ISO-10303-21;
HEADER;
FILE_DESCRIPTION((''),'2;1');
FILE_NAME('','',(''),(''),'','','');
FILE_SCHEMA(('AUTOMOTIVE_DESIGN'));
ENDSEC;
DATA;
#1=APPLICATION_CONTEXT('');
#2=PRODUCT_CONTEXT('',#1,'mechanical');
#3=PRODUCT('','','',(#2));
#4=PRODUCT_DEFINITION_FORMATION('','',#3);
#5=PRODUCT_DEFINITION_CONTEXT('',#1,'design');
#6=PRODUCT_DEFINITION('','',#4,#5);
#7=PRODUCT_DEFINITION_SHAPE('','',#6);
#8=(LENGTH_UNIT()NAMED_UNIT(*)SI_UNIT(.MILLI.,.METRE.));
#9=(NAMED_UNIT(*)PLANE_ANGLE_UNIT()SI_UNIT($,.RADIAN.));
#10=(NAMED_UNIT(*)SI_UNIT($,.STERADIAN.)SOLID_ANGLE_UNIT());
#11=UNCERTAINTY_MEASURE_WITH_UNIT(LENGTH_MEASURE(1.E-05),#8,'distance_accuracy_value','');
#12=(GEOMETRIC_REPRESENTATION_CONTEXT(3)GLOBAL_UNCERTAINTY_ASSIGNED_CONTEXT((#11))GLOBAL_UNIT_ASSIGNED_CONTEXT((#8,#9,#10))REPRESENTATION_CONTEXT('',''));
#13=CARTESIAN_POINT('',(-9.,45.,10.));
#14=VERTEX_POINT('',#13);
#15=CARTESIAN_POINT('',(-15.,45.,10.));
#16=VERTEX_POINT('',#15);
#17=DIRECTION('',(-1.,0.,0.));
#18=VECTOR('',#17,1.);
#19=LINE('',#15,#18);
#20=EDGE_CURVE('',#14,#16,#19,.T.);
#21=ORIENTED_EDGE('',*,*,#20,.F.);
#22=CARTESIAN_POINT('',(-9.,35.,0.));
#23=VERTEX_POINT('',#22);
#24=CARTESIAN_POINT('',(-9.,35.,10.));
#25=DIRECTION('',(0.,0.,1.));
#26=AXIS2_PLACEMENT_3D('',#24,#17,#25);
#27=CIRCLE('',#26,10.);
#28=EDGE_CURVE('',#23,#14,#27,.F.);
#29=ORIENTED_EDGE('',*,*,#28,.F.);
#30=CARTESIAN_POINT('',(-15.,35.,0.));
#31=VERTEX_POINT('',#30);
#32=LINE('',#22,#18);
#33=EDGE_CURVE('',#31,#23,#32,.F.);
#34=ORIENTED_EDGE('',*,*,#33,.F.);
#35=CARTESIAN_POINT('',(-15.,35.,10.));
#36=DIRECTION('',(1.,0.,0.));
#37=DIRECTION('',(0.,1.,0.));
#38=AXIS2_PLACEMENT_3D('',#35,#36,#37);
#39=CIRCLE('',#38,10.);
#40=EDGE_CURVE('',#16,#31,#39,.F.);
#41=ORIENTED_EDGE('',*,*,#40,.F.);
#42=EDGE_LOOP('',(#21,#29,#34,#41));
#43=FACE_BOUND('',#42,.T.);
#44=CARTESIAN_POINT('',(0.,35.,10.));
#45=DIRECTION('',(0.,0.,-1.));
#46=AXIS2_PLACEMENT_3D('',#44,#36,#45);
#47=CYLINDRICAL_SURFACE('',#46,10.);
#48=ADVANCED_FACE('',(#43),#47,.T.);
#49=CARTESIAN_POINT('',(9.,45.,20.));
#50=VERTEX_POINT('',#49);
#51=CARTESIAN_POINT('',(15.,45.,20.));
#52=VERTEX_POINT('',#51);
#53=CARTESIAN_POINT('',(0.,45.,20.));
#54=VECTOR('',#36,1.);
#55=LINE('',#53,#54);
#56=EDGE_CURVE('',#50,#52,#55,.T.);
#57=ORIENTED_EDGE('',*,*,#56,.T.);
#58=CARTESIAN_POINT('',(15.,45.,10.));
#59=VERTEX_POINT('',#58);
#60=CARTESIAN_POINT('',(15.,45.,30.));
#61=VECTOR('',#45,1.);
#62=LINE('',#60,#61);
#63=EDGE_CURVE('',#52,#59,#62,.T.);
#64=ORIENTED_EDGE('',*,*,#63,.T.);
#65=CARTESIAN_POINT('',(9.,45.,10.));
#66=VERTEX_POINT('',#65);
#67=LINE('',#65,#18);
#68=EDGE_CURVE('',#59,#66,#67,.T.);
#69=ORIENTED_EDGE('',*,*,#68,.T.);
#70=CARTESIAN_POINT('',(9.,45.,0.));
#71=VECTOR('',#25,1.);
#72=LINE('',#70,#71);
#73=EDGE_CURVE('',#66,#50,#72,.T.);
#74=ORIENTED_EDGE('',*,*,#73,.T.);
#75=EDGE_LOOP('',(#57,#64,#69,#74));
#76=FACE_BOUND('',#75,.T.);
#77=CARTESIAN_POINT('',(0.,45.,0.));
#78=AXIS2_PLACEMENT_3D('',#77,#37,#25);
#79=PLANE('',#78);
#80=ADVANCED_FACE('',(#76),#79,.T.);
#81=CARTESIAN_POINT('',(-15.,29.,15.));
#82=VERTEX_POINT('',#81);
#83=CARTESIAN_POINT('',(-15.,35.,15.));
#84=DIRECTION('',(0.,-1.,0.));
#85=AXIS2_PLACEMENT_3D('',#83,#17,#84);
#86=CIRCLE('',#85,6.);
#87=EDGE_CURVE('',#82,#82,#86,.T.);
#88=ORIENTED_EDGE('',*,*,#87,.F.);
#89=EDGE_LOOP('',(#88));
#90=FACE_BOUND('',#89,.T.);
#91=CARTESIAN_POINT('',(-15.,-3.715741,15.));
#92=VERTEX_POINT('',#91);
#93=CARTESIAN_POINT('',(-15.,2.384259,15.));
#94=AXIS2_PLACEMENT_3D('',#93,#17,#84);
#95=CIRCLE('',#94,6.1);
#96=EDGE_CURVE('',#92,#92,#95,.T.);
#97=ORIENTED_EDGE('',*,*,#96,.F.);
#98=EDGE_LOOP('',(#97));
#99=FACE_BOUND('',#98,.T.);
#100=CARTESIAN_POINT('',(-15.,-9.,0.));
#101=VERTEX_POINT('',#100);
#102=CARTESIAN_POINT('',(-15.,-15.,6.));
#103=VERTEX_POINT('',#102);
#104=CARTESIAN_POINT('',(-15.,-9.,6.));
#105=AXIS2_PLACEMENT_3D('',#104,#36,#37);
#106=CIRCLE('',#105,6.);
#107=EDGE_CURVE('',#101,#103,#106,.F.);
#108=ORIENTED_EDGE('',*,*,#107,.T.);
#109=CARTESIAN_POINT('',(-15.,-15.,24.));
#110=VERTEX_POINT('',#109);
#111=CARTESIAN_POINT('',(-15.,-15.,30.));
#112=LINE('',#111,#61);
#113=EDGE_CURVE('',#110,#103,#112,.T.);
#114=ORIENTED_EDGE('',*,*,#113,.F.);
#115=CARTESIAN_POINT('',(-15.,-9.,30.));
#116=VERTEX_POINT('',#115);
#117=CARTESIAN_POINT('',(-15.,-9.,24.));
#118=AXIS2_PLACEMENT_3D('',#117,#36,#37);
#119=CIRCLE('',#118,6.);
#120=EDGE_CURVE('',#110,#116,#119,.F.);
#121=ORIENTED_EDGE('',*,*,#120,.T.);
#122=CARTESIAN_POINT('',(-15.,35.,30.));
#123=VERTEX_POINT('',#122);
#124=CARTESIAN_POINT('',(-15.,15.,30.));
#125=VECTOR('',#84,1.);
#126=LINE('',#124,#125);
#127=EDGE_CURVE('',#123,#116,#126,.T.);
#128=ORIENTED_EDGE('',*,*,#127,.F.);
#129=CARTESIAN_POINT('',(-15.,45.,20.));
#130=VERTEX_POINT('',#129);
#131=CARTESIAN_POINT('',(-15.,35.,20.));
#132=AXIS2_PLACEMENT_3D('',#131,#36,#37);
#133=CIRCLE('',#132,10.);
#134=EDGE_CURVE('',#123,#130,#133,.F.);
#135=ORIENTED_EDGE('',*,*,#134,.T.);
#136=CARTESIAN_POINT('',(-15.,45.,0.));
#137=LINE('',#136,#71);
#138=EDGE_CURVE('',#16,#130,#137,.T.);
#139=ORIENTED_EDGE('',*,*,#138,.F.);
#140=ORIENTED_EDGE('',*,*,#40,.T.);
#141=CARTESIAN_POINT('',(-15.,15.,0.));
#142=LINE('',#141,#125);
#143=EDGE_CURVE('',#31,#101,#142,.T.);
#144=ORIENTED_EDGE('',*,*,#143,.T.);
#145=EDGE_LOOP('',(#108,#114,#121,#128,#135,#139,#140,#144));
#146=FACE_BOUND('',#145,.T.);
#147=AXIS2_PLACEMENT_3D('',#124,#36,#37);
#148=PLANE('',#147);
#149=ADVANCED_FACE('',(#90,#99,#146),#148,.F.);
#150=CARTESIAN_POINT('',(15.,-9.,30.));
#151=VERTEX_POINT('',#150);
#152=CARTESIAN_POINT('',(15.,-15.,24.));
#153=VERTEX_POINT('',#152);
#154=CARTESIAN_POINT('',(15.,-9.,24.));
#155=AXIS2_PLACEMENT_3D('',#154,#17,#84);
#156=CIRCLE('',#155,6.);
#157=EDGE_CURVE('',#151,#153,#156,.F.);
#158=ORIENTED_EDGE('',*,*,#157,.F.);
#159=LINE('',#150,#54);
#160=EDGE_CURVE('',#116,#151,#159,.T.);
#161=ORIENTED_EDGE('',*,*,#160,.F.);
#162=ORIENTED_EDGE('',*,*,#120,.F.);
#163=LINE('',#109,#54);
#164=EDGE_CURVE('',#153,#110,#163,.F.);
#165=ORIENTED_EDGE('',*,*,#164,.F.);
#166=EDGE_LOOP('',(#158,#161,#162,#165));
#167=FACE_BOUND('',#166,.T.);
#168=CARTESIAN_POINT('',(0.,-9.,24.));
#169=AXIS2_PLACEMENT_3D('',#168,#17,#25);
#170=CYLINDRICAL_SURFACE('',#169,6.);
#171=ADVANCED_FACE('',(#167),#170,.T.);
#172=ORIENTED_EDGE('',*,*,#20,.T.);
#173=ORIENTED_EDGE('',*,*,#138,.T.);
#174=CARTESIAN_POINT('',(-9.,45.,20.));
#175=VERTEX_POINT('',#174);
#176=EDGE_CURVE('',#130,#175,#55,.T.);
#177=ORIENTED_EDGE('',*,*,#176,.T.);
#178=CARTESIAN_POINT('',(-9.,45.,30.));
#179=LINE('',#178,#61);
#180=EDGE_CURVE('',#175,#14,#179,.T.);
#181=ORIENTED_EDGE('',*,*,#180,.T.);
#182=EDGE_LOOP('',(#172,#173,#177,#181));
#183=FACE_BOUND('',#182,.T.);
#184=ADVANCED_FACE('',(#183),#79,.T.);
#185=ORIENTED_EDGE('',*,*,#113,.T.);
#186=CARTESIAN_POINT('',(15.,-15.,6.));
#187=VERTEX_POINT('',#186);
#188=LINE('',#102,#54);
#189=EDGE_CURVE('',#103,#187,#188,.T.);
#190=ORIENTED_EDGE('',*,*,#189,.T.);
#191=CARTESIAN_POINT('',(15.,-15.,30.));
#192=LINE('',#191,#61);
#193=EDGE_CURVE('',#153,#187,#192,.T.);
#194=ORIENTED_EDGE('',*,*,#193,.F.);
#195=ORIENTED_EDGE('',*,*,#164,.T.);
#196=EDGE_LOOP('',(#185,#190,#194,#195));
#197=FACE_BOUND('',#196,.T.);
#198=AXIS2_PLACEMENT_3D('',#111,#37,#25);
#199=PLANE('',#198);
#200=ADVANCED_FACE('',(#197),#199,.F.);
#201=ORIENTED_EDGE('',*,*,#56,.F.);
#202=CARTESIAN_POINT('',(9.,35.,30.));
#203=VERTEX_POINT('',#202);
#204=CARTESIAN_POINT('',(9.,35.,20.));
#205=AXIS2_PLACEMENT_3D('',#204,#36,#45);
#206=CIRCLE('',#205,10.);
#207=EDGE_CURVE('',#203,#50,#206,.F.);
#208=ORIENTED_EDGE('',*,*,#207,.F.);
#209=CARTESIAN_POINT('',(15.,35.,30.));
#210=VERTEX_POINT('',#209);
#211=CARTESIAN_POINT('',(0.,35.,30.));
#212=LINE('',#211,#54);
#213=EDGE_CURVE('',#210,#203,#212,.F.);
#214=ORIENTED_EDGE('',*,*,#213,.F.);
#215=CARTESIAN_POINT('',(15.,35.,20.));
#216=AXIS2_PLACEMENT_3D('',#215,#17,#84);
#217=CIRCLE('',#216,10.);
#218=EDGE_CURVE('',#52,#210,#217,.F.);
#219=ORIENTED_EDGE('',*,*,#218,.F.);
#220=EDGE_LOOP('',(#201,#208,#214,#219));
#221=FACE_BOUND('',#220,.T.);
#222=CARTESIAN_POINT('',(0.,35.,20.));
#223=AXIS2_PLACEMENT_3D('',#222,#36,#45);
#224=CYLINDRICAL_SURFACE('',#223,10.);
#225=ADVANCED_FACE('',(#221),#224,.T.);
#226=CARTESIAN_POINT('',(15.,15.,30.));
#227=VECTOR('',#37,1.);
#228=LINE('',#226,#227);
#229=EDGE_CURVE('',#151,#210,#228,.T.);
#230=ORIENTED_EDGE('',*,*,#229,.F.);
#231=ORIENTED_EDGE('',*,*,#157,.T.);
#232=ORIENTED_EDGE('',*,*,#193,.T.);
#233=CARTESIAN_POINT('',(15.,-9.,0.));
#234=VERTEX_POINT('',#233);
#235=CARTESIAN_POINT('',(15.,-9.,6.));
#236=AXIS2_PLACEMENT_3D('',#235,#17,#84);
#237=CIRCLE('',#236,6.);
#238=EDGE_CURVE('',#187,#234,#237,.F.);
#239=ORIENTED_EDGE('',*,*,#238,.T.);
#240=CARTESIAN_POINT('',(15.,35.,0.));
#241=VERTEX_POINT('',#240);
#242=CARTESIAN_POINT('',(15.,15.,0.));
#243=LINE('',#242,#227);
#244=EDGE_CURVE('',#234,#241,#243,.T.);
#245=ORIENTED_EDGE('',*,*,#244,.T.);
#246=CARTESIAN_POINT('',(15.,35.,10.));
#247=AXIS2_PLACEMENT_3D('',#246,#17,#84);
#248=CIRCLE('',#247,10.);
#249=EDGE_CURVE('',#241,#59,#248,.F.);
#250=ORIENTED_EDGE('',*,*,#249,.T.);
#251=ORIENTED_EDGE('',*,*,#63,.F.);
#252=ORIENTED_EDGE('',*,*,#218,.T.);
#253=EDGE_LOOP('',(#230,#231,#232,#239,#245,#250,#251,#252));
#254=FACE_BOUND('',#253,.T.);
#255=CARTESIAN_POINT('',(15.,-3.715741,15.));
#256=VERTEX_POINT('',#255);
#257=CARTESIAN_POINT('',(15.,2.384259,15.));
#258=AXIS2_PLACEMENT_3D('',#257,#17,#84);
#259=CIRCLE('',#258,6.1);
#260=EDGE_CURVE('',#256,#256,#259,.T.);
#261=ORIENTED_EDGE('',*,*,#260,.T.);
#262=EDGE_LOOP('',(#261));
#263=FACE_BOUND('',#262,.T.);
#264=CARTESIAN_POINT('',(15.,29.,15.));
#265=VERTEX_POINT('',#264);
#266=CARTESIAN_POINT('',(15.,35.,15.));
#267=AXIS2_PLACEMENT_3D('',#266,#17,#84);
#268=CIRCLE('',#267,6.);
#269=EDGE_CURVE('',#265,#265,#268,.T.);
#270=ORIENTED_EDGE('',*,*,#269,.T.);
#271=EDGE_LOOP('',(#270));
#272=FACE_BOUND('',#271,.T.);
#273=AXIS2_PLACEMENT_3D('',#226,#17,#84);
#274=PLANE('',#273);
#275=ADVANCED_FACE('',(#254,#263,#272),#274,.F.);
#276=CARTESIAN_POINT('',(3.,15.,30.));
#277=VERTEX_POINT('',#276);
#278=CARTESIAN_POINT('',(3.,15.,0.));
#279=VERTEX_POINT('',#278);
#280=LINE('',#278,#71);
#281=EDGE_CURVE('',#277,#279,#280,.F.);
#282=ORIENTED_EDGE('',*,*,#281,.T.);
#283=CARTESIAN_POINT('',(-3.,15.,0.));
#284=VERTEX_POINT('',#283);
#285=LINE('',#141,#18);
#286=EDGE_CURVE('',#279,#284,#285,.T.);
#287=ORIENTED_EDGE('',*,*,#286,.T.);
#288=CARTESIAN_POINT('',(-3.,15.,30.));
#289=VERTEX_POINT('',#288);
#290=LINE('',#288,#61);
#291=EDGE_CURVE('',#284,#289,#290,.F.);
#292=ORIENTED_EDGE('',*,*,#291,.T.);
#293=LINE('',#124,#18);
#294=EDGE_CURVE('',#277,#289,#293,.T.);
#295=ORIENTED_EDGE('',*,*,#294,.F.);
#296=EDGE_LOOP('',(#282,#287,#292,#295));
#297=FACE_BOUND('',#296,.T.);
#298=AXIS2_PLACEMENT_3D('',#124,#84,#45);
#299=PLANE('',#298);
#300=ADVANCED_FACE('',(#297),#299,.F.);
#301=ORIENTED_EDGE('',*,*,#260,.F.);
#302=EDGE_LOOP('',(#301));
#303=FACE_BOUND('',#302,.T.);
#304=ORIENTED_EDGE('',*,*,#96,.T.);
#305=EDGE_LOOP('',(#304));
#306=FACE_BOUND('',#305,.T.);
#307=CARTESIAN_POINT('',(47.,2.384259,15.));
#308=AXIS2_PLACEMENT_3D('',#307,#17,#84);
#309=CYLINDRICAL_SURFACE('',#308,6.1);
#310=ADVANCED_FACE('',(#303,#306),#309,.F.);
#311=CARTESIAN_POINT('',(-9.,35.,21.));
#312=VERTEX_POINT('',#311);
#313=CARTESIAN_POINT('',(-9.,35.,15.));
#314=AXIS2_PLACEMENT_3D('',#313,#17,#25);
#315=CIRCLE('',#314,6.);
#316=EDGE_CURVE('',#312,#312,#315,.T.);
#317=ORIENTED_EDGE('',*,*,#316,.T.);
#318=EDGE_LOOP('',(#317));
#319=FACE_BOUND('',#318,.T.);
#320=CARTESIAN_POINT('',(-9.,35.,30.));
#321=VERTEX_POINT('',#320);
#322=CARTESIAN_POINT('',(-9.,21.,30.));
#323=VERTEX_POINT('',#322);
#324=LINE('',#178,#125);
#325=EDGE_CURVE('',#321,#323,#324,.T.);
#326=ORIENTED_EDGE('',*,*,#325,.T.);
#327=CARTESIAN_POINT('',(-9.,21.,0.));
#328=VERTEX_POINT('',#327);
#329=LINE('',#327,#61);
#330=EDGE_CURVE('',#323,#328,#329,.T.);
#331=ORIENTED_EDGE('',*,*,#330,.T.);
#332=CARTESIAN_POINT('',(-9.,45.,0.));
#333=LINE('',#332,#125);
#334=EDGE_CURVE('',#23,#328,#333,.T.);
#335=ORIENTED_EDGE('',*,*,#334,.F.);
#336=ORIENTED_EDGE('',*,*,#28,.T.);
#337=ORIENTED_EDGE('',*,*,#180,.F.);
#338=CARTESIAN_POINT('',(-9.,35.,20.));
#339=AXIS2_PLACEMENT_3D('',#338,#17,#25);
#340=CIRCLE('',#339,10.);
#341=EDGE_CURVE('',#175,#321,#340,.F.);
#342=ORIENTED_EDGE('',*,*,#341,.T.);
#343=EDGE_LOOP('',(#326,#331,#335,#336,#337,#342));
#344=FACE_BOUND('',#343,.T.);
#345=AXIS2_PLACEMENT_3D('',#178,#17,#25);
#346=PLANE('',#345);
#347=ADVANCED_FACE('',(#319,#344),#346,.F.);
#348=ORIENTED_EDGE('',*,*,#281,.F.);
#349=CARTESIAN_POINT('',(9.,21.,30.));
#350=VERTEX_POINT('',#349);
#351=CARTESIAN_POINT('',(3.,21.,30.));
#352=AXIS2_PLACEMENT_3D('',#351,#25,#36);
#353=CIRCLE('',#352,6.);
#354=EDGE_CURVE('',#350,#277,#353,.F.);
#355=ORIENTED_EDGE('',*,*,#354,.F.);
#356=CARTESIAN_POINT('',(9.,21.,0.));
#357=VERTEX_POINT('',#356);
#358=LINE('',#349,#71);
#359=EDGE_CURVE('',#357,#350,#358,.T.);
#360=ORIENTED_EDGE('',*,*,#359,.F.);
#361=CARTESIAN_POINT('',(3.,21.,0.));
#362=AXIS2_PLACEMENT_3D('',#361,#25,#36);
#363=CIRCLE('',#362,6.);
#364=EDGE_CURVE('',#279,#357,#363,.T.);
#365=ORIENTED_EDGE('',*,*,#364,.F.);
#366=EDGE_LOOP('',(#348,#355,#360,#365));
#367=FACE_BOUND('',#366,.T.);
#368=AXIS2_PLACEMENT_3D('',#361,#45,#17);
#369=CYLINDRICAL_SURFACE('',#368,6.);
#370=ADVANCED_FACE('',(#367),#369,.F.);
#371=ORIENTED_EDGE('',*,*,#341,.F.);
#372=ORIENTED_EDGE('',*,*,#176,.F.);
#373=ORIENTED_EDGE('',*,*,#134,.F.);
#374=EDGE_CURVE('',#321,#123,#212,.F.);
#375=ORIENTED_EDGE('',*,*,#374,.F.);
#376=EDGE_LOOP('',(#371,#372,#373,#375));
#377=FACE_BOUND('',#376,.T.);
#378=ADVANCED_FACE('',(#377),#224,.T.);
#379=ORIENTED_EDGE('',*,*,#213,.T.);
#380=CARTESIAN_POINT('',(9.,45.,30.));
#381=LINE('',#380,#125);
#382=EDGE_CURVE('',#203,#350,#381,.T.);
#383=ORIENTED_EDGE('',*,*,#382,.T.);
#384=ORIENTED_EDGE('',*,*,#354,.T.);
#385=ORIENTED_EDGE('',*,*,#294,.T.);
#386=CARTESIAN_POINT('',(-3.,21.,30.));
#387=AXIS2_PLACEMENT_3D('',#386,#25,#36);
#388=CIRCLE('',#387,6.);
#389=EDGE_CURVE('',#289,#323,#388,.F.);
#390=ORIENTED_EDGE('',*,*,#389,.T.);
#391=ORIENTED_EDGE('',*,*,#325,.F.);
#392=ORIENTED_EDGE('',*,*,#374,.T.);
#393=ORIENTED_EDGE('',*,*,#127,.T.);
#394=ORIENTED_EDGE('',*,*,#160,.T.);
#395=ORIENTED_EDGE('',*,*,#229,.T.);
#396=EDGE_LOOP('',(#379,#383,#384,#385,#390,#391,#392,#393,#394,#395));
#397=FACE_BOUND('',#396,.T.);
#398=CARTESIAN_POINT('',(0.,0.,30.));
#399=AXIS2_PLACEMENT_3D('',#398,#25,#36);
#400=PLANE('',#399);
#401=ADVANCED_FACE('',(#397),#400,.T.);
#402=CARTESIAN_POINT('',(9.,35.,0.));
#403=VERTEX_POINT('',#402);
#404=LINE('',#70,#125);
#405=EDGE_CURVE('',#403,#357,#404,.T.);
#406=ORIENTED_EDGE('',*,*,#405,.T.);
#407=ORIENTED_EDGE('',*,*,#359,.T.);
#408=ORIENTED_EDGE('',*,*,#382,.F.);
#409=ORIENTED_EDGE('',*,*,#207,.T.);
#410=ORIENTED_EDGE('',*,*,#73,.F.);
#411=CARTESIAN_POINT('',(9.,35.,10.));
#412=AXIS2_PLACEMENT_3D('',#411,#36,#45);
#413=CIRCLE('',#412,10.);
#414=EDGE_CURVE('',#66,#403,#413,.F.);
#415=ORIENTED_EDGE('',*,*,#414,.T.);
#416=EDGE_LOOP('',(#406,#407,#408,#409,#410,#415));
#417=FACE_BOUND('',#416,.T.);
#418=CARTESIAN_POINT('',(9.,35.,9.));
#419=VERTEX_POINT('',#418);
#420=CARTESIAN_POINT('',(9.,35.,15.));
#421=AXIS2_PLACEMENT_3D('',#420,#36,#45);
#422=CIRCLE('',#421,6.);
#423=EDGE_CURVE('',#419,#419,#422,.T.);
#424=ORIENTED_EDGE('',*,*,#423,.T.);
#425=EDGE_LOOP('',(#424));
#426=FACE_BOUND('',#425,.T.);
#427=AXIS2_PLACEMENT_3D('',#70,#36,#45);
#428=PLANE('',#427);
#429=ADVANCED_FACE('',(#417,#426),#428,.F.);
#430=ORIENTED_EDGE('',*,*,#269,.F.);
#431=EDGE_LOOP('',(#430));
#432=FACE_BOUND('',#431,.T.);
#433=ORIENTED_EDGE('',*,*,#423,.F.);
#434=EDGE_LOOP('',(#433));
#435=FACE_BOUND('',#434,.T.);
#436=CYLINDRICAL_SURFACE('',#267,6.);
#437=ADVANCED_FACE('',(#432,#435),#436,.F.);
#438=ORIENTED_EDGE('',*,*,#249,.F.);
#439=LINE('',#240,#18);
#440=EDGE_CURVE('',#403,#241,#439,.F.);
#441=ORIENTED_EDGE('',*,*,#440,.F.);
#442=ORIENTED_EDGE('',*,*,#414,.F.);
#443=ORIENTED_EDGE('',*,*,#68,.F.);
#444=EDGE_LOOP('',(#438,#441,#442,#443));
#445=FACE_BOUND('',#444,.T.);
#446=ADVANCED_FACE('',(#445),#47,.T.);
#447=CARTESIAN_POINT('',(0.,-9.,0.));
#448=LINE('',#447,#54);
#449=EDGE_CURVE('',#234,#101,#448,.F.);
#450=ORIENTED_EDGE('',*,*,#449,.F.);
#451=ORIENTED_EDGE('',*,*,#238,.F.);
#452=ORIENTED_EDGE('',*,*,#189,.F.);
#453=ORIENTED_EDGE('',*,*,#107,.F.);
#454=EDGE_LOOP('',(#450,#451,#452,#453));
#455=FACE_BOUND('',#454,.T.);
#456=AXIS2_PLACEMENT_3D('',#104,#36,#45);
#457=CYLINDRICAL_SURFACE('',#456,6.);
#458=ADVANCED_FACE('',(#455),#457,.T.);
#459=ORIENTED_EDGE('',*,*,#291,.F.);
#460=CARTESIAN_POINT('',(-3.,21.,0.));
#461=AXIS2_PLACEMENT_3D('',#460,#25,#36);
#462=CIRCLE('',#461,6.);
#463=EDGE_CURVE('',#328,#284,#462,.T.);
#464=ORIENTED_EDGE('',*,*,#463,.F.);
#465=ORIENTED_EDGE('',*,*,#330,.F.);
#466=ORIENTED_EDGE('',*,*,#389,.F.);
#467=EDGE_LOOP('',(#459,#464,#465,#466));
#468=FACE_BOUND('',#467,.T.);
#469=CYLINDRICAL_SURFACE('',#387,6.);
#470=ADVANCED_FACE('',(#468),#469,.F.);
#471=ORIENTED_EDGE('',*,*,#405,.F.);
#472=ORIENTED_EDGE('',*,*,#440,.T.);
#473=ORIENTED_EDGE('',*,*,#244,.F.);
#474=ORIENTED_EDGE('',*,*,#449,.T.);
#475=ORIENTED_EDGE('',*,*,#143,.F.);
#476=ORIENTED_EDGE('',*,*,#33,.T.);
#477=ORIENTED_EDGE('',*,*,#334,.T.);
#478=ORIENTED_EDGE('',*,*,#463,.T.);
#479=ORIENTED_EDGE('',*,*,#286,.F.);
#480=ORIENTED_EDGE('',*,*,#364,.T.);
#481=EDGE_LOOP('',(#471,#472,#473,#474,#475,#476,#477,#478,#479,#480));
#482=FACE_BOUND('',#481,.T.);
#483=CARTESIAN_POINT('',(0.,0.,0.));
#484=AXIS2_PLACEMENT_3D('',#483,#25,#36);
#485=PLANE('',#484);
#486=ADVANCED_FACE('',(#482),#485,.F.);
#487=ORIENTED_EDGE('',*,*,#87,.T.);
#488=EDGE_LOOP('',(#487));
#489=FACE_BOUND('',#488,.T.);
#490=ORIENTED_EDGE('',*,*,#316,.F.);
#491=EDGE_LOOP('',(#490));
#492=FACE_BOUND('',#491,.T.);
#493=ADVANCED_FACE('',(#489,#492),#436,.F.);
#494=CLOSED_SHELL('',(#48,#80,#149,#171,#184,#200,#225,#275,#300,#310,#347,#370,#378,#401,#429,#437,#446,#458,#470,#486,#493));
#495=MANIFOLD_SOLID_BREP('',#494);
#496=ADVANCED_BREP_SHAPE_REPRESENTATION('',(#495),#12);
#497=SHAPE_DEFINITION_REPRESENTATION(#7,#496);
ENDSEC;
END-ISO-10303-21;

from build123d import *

# Parameters (mm, degrees)
SKETCH2_W           = 30
SKETCH2_H           = 30
BOSS_EXTRUDE2_DEPTH = 30
SKETCH4_W           = 6
SKETCH4_H           = 30
BOSS_EXTRUDE3_DEPTH = 30
FILLET4_R           = 10
SKETCH5_R           = 6
CUT_EXTRUDE1_DEPTH  = 30
FILLET5_R           = 6
SKETCH6_R           = 6.1
CUT_EXTRUDE2_DEPTH  = 62
FILLET6_R           = 6


with BuildPart() as part:
    # Sketch2 → Boss-Extrude2 (new body)
    with BuildSketch(Plane.XY):
        Rectangle(SKETCH2_W, SKETCH2_H)
    extrude(amount=BOSS_EXTRUDE2_DEPTH)

    # Sketch4 → Boss-Extrude3 (add)
    with BuildSketch(Plane(origin=(0, 15, 0), x_dir=(1, 0, 0), z_dir=(0, 1, 0))):
        with Locations((-12, -15)):
            Rectangle(SKETCH4_W, SKETCH4_H)
        with Locations((12, -15)):
            Rectangle(SKETCH4_W, SKETCH4_H)
    extrude(amount=BOSS_EXTRUDE3_DEPTH)

    # Fillet4
    fillet4_edges = [part.edges().sort_by_distance(p)[0] for p in [
        (-12, 45, 30),
        (-12, 45, 0),
        (12, 45, 30),
        (12, 45, 0),
    ]]
    fillet(fillet4_edges, radius=FILLET4_R)

    # Sketch5 → Cut-Extrude1 (cut)
    with BuildSketch(Plane.ZY.offset(15)):
        with Locations(Location((15, 35, 0), (0, 0, 270))):
            Circle(SKETCH5_R)
    extrude(amount=-CUT_EXTRUDE1_DEPTH, mode=Mode.SUBTRACT)

    # Fillet5
    fillet5_edges = [part.edges().sort_by_distance(p)[0] for p in [
        (-9, 15, 15),
        (9, 15, 15),
    ]]
    fillet(fillet5_edges, radius=FILLET5_R)

    # Sketch6 → Cut-Extrude2 (cut)
    with BuildSketch(Plane.ZY.offset(15)):
        with Locations(Location((15, 2.384259025, 0), (0, 0, 270))):
            Circle(SKETCH6_R)
    extrude(amount=-CUT_EXTRUDE2_DEPTH, mode=Mode.SUBTRACT)

    # Fillet6
    fillet6_edges = [part.edges().sort_by_distance(p)[0] for p in [
        (0, -15, 30),
        (0, -15, 0),
    ]]
    fillet(fillet6_edges, radius=FILLET6_R)


solid = part.part
